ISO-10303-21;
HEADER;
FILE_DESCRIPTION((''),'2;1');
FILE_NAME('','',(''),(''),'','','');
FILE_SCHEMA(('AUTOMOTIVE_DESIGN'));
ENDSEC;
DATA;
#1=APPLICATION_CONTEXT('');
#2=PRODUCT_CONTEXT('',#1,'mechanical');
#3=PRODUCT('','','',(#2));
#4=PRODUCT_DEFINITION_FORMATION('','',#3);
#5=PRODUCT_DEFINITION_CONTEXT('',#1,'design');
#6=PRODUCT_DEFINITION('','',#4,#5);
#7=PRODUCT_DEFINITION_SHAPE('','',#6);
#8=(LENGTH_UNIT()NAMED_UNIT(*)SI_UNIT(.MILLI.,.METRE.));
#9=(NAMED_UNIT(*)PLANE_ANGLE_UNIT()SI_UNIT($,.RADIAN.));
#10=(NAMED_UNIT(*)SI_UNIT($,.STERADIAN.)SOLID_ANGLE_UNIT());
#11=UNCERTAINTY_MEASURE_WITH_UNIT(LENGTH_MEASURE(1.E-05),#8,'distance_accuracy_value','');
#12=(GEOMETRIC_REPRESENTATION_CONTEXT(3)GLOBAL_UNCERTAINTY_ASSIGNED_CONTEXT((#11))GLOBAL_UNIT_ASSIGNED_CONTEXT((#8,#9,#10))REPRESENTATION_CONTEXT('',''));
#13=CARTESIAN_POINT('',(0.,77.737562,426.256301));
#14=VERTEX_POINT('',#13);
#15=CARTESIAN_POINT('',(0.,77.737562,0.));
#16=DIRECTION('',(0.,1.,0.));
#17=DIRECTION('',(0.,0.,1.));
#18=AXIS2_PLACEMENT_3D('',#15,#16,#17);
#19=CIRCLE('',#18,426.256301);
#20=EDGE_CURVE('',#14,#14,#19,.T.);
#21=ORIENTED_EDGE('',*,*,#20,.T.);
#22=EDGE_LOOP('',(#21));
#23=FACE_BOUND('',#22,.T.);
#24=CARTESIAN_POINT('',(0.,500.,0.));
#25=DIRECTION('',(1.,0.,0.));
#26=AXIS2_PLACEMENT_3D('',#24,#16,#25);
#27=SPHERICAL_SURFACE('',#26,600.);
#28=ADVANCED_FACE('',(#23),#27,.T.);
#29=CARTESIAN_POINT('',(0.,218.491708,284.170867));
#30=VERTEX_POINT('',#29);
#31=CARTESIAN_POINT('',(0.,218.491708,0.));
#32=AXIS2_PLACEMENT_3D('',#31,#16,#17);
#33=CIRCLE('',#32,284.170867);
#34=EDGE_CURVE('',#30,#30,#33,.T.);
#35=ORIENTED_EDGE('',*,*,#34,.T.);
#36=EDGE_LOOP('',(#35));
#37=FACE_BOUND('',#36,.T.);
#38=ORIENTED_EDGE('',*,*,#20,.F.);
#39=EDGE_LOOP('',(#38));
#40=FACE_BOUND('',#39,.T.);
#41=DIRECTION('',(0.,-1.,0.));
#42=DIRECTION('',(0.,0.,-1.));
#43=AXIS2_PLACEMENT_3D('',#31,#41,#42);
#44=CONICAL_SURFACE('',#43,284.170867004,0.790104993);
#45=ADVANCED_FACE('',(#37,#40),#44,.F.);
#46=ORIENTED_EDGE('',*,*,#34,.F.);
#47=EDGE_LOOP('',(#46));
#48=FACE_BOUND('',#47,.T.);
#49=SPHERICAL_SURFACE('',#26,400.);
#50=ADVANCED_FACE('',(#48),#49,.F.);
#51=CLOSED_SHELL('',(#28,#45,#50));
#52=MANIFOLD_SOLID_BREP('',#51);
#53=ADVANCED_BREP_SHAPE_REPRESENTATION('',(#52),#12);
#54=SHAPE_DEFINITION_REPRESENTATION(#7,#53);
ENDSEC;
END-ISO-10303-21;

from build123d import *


with BuildPart() as part:
    # Sketch2 → Revolve1 (revolve)
    with BuildSketch(Plane.XY):
        with BuildLine():
            Line((0, 1100), (0, 900))
            ThreePointArc((0, 900), (369.190544784, 653.942656993), (284.170867004, 218.491708211))
            Line((284.170867004, 218.491708211), (426.256300507, 77.737562316))
            ThreePointArc((426.256300507, 77.737562316), (553.785817176, 730.91398549), (0, 1100))
        make_face()
    revolve(axis=Axis((0, 1129.36353187, 0), (0, -1, 0)))


solid = part.part
